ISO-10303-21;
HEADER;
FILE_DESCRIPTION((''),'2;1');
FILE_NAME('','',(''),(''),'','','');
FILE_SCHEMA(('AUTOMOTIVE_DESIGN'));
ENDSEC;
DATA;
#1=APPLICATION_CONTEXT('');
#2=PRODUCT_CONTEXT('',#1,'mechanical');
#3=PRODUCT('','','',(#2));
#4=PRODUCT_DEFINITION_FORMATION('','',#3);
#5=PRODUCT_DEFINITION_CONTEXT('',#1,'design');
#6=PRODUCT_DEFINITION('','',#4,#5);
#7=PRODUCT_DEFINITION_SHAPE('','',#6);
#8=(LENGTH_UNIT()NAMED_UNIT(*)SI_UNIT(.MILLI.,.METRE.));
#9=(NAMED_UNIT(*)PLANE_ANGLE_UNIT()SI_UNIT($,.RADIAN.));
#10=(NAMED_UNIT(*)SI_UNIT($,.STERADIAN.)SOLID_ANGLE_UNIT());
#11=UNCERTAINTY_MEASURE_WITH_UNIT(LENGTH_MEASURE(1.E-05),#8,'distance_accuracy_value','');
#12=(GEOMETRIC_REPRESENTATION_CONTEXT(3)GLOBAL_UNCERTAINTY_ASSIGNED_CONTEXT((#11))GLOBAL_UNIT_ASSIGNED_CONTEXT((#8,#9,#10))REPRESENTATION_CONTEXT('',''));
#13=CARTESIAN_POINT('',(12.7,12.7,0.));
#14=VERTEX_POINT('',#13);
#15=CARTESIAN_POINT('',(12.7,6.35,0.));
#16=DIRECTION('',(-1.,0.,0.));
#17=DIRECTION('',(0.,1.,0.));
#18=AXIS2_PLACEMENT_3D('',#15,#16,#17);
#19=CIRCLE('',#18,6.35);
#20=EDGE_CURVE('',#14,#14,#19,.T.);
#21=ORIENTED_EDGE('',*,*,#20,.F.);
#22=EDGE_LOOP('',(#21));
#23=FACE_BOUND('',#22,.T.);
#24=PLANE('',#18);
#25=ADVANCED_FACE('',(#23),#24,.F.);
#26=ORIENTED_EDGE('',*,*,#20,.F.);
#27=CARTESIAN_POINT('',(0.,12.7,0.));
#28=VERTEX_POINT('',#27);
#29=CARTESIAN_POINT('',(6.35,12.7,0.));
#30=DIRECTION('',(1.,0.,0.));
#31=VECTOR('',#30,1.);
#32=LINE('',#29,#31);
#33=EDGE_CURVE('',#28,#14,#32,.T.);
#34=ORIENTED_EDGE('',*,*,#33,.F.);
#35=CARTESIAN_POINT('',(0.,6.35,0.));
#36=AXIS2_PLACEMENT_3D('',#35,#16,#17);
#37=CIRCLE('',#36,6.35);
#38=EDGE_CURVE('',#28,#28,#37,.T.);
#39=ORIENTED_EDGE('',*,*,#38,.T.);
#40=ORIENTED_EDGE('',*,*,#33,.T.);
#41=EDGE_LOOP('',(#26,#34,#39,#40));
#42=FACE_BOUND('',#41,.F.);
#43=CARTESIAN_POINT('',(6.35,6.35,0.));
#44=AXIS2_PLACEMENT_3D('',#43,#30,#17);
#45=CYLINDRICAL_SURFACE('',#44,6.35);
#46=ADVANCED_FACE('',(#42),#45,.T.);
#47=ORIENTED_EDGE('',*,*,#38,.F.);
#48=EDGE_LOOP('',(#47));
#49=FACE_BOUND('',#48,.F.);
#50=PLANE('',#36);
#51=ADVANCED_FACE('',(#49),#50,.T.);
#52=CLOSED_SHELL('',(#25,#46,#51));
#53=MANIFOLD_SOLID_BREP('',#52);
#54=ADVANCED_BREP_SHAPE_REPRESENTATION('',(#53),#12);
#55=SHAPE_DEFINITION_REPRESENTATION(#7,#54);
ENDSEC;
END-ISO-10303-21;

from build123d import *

# Parameters (mm, degrees)
F0_W     = 12.7
F0_H     = 6.35
F2_R     = 2.5527
F3_DEPTH = 9.525


with BuildPart() as f1:
    # F0 (on Top) → F1 (revolve)
    with BuildSketch(Plane.XY):
        with Locations((6.35, 9.525)):
            Rectangle(F0_W, F0_H)
    revolve(axis=Axis((6.35, 6.35, 0), (-1, 0, 0)))

    # F2 (on face) → F3 (join)
    with BuildSketch(Plane(origin=(0, 0, 0), x_dir=(0, -1, 0), z_dir=(-1, 0, 0))):
        with Locations((-6.35, 0)):
            Circle(F2_R)
    extrude(amount=-F3_DEPTH)


solid = f1.part
